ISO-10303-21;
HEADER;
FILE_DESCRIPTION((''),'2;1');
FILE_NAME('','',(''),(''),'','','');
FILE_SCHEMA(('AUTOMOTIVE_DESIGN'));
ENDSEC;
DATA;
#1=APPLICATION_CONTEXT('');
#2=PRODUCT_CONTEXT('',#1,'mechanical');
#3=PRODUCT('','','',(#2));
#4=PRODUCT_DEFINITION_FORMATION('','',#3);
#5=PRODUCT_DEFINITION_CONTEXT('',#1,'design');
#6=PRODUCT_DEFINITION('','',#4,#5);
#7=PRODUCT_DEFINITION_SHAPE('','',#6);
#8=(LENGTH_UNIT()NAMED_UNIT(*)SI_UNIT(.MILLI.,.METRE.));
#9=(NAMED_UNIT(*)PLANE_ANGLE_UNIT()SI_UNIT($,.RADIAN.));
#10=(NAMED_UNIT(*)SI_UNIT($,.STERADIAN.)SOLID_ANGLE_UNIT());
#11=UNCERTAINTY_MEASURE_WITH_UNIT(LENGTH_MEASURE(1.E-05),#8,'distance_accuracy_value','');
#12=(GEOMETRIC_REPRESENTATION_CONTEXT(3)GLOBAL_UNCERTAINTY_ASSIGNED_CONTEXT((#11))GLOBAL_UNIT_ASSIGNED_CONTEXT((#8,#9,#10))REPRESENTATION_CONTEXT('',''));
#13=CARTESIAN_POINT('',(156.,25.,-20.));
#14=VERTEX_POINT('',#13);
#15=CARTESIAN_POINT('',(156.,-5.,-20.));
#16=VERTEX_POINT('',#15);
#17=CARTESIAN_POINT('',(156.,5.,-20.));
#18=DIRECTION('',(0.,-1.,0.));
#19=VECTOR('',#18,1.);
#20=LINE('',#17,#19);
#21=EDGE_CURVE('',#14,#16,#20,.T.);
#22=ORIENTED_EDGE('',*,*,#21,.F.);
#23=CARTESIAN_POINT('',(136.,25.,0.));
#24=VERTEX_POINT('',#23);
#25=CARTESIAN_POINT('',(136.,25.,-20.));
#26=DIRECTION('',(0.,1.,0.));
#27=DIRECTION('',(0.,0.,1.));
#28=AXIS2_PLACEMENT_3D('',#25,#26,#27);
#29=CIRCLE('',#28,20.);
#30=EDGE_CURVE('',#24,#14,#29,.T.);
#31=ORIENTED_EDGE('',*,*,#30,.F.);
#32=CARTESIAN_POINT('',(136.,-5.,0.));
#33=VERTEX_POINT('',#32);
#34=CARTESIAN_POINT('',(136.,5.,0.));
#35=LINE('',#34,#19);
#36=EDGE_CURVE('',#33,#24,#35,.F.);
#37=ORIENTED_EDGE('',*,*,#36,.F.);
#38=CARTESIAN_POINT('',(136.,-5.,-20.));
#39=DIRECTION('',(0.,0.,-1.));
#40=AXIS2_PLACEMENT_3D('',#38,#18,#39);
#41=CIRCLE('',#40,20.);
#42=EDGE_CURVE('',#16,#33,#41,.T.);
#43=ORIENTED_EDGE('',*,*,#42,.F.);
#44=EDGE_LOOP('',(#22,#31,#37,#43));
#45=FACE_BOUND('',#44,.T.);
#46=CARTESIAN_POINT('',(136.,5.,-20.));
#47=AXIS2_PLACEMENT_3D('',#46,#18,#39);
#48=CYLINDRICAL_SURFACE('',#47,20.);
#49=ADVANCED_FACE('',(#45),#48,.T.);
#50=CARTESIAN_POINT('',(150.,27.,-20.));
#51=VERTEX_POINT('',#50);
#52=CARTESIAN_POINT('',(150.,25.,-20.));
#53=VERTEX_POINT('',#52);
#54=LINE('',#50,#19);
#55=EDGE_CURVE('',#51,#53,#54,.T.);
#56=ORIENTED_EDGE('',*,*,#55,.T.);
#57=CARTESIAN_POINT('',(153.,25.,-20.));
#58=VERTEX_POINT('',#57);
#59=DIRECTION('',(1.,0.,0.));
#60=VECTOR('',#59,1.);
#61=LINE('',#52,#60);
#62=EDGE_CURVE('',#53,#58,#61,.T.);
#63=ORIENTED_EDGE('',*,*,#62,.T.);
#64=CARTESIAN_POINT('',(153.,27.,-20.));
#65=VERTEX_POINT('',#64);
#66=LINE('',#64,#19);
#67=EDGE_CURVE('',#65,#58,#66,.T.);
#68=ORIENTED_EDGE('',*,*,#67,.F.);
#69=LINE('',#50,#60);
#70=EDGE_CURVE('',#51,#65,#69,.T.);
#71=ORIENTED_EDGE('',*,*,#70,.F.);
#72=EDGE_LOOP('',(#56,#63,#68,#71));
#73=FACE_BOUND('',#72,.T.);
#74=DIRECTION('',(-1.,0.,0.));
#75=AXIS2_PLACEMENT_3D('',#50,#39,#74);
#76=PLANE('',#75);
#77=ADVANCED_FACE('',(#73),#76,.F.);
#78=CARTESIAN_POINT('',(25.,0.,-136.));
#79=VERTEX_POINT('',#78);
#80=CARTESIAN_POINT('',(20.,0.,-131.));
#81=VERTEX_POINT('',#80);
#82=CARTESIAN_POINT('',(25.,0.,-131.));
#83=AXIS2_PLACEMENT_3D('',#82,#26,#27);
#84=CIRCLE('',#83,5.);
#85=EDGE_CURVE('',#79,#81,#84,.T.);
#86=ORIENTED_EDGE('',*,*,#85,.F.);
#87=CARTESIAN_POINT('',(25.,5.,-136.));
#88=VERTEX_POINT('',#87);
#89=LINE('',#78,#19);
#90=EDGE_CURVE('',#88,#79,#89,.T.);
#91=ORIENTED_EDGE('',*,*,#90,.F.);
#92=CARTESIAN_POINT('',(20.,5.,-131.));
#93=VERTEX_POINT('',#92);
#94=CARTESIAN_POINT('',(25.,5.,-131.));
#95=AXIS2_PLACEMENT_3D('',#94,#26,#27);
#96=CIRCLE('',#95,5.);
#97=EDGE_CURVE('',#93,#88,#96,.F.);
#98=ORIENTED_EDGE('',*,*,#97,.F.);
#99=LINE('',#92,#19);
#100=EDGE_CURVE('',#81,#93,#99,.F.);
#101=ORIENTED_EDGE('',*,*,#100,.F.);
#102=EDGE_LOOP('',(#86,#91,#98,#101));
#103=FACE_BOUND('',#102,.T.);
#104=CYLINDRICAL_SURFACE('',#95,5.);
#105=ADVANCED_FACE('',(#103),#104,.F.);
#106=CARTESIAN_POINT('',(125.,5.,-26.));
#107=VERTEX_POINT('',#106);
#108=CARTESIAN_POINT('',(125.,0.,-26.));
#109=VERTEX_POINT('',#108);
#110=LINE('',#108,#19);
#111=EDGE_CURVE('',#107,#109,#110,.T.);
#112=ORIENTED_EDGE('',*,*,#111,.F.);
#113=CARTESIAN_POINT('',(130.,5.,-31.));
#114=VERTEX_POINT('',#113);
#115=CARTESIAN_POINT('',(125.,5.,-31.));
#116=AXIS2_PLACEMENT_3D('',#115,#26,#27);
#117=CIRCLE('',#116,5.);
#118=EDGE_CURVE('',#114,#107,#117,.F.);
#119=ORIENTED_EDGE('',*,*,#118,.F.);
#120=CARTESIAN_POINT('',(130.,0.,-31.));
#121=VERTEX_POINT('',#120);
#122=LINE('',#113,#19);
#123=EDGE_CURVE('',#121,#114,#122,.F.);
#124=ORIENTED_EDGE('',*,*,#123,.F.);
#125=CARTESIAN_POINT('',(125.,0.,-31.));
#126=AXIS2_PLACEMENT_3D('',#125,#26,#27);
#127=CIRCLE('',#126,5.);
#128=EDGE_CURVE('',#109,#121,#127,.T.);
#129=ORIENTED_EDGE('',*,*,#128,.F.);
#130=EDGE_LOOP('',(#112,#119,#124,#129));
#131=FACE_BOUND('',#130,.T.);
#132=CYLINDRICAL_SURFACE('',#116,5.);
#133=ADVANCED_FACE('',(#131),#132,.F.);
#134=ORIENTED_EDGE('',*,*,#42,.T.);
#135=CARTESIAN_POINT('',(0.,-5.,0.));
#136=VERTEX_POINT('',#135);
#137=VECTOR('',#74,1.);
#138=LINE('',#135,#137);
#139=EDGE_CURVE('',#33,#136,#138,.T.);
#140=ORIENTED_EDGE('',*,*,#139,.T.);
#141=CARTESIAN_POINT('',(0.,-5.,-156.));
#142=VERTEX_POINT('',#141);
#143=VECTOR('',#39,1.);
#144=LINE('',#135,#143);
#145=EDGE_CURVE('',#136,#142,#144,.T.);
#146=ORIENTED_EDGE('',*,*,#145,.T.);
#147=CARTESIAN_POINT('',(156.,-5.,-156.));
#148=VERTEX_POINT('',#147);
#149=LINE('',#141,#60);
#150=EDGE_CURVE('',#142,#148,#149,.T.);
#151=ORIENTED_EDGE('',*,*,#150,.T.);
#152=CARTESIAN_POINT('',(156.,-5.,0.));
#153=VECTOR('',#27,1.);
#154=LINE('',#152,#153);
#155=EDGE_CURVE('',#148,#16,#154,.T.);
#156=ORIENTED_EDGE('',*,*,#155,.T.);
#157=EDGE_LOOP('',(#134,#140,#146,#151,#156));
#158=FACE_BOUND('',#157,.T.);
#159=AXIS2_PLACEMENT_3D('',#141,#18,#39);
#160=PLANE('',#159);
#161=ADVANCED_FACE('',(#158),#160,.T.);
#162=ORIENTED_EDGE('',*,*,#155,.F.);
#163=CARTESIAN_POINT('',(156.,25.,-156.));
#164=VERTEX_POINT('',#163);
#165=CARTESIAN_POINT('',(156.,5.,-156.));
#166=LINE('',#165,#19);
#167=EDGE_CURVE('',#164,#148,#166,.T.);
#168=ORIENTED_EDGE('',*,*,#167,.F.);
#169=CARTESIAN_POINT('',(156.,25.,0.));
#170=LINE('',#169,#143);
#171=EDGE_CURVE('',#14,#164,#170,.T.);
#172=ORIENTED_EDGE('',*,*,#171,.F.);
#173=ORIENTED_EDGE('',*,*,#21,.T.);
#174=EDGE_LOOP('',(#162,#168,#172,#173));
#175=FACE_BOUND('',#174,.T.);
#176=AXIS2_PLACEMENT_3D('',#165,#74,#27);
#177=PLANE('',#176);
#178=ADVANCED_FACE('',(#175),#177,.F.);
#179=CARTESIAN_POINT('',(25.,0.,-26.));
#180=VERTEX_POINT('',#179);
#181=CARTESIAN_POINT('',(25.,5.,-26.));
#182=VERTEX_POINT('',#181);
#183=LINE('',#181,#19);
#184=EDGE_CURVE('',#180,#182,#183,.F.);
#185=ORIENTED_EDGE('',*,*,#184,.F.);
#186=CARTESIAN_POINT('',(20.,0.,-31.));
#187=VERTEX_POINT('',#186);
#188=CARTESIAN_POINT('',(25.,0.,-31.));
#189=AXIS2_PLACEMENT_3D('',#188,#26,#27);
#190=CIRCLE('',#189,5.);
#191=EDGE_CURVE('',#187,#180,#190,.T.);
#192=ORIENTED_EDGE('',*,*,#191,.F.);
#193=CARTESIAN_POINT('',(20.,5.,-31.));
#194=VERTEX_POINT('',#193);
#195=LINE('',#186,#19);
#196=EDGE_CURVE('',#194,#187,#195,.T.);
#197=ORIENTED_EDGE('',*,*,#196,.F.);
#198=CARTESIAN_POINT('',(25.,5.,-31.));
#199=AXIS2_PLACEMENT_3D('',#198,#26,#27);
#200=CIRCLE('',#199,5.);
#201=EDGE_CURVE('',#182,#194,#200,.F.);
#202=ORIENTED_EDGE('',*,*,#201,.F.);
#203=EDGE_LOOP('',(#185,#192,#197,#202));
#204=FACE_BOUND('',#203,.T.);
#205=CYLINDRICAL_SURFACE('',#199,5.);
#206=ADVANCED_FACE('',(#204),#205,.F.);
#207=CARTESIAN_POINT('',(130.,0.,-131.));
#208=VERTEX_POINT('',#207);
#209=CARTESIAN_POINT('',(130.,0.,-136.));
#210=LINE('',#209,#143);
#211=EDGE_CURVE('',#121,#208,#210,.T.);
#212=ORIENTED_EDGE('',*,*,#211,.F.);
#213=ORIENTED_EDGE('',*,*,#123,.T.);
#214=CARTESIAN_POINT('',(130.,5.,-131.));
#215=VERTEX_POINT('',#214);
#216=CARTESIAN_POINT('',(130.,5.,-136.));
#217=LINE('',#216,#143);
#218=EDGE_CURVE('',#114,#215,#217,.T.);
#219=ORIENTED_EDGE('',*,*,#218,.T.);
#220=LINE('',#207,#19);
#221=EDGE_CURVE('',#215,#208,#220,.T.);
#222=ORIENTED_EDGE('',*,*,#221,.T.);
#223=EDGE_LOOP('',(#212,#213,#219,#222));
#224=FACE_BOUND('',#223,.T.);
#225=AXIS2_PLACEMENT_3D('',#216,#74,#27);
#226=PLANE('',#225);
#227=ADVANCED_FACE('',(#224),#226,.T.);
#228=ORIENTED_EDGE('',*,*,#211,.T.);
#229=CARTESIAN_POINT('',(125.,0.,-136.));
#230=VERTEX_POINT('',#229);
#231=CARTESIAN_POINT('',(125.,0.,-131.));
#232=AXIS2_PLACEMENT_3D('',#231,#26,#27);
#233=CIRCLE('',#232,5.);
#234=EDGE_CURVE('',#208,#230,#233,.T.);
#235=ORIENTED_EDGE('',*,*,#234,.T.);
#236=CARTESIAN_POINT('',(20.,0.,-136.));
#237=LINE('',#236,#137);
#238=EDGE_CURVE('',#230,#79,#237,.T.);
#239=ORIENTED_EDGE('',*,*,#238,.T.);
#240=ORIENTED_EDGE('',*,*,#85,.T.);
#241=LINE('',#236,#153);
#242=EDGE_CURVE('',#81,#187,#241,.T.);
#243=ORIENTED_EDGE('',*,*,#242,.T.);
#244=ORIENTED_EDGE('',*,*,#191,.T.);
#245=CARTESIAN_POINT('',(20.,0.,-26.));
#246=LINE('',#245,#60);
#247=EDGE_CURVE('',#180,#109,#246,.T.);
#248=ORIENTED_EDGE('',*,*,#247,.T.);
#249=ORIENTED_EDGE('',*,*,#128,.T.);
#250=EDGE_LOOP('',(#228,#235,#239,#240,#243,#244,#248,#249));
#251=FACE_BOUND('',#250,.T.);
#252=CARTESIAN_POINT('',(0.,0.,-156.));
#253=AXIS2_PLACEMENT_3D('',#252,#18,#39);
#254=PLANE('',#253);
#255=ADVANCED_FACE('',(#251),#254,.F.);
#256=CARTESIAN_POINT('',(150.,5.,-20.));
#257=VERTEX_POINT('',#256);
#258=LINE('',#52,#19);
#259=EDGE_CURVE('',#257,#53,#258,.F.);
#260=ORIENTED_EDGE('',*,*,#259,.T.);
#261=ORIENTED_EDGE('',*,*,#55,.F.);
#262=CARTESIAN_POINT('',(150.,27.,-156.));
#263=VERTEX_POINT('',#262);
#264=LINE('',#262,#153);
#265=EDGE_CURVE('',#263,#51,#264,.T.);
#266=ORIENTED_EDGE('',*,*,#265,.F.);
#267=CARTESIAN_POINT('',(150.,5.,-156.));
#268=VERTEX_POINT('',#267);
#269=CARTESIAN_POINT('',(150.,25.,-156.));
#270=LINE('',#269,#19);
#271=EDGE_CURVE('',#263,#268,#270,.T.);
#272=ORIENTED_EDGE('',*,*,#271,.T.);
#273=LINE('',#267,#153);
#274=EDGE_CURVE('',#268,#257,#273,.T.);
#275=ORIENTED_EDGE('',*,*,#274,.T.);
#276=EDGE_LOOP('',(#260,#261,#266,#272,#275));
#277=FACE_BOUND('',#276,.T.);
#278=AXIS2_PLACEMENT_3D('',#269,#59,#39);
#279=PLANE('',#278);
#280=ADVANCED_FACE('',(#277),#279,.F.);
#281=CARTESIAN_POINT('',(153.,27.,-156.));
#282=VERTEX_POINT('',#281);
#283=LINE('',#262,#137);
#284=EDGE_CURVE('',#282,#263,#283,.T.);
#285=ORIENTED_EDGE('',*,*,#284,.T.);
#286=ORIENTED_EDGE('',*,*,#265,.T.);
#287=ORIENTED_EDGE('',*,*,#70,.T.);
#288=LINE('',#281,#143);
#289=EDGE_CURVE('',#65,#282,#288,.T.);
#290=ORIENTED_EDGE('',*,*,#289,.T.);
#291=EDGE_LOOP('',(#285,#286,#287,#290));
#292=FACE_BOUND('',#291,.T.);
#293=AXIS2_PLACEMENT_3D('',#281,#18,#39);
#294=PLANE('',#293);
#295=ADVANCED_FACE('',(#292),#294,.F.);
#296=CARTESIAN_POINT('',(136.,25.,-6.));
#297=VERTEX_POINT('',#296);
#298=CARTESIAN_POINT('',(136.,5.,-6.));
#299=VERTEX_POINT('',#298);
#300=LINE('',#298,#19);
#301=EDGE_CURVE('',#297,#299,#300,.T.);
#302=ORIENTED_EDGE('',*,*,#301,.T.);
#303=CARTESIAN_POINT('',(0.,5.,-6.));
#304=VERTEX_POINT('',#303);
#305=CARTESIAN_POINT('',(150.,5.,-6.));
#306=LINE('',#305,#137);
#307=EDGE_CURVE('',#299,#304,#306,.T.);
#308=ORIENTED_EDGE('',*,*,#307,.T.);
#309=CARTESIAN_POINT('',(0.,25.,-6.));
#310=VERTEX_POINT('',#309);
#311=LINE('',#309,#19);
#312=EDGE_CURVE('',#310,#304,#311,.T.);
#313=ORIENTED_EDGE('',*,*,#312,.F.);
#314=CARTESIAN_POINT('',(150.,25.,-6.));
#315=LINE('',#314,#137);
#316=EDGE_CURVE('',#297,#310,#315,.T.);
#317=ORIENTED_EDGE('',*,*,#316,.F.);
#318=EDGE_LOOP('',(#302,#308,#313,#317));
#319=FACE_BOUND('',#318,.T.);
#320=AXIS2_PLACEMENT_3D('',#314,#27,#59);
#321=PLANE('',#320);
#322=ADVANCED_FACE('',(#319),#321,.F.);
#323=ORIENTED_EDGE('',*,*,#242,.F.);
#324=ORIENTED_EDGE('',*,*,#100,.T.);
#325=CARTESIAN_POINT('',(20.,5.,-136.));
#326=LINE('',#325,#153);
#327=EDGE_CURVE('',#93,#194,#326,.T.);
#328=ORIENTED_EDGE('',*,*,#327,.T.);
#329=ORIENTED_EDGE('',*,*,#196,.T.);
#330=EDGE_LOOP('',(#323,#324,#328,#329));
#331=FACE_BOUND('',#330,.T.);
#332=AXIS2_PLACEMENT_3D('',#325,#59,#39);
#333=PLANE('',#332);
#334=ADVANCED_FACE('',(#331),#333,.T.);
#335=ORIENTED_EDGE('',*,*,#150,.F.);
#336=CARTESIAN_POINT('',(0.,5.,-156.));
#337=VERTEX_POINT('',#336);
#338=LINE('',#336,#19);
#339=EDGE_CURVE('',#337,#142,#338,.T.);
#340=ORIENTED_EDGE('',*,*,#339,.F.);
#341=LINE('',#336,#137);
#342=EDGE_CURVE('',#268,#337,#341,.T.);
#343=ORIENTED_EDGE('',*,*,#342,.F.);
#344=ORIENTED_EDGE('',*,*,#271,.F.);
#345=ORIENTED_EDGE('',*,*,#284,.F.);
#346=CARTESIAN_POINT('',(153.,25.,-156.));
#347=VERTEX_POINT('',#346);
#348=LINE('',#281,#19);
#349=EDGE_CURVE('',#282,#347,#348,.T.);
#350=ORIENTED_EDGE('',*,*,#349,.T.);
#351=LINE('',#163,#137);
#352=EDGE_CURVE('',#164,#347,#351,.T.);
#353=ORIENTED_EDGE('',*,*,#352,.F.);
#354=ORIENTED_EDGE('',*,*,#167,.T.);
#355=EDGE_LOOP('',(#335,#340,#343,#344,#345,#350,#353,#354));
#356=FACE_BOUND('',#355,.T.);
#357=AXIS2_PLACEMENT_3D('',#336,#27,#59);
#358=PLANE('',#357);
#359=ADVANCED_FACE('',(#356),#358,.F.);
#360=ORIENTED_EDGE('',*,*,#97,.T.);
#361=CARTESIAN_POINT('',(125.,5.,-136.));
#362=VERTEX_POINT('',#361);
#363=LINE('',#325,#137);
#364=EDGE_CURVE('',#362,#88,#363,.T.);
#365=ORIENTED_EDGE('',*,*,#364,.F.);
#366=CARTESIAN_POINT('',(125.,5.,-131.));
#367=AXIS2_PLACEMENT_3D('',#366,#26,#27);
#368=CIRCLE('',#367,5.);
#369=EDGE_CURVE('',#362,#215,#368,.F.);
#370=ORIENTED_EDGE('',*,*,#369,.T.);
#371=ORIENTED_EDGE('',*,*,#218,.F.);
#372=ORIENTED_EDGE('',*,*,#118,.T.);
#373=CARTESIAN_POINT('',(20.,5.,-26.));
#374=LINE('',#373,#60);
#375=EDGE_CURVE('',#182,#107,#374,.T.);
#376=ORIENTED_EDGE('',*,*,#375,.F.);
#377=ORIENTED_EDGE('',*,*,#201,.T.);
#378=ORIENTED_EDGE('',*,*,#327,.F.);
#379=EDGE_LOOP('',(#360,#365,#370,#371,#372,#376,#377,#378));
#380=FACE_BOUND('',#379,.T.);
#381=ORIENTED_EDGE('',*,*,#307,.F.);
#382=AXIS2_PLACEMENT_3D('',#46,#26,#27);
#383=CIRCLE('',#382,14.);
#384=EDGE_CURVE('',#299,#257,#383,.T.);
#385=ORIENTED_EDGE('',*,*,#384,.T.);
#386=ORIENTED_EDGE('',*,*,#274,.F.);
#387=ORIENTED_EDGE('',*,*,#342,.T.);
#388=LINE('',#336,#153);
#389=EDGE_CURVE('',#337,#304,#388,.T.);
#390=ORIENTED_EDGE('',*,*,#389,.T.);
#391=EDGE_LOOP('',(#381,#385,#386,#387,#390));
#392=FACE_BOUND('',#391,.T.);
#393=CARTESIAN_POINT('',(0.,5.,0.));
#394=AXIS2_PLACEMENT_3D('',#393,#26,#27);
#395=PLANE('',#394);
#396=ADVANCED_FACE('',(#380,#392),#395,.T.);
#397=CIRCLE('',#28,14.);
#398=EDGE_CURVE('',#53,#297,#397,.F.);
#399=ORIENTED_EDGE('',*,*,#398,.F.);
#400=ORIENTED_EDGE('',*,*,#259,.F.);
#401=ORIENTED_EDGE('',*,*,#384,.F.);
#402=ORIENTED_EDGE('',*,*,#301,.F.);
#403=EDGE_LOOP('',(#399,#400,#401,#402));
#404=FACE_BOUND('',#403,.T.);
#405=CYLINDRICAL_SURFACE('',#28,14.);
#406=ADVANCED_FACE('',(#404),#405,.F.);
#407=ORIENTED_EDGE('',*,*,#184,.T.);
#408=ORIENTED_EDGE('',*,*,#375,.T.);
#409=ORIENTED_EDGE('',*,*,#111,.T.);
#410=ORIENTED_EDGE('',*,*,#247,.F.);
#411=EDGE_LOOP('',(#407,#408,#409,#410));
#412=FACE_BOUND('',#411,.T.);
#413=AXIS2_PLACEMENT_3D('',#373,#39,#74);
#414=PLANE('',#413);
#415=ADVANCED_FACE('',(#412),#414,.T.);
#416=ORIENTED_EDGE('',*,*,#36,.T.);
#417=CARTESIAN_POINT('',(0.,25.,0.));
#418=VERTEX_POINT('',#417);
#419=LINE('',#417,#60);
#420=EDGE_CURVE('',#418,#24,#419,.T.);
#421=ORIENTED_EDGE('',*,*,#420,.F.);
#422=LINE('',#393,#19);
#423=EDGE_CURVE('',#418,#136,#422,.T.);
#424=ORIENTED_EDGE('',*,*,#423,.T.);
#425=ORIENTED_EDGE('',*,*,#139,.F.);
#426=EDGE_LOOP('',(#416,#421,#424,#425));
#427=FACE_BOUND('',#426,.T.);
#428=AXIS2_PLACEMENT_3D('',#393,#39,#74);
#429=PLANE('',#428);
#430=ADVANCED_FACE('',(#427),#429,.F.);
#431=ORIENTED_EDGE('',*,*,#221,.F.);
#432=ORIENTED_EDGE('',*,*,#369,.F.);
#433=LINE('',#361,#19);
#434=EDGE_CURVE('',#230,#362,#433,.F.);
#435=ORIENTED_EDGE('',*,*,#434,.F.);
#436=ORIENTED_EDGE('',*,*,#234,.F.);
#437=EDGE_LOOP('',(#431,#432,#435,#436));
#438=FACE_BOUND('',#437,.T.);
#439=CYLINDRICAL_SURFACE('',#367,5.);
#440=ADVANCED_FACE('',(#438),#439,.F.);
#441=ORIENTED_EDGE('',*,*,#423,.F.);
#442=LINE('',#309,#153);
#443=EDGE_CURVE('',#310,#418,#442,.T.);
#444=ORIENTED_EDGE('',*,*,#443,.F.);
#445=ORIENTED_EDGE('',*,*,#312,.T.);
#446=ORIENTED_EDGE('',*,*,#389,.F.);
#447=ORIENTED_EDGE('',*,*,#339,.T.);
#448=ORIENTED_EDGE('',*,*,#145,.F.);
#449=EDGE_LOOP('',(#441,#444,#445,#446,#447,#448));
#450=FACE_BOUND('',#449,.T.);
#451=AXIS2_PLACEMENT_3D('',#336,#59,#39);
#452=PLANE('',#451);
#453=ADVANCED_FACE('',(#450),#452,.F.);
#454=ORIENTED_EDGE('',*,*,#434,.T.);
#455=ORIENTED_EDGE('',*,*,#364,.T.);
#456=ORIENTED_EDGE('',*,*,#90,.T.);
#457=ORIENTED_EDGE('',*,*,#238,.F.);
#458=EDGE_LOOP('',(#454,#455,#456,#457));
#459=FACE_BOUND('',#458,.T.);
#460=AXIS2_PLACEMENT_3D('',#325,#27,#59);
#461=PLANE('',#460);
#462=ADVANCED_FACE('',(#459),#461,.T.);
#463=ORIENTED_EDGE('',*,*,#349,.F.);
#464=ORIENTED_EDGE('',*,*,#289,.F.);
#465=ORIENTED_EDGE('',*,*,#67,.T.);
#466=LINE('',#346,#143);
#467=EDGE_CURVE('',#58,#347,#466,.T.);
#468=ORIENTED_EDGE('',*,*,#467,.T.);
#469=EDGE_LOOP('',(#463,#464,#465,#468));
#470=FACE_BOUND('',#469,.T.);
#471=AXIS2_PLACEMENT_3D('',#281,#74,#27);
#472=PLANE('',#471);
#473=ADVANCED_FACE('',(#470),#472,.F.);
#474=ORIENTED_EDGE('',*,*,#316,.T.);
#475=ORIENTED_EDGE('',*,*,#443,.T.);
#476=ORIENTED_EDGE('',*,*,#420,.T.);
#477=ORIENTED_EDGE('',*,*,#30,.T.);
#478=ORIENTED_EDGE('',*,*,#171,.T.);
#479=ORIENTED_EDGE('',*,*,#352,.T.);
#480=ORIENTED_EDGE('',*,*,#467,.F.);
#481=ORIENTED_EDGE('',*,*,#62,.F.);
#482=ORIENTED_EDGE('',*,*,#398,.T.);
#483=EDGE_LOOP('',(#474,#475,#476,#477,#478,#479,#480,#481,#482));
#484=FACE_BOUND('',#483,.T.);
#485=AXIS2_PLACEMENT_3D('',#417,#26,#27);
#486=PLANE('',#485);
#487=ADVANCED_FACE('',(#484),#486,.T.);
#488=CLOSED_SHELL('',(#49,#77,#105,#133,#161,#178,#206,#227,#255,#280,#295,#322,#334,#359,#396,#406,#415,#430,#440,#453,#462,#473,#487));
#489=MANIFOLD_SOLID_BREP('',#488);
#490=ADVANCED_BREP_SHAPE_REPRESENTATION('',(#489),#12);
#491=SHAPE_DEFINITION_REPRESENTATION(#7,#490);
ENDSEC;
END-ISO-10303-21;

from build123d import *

# Parameters (mm, degrees)
SKIZZE9_W               = 156
SKIZZE9_H               = 156
SKIZZE9_W_2             = 110
SKIZZE9_H_2             = 110
LINEAR_AUSTRAGEN4_DEPTH = 5
VERRUNDUNG5_R           = 5
SKIZZE10_W              = 156
SKIZZE10_H              = 156
LINEAR_AUSTRAGEN5_DEPTH = 5
LINEAR_AUSTRAGEN6_DEPTH = 20
VERRUNDUNG6_R           = 20
VERRUNDUNG7_R           = 14
SKIZZE12_W              = 3
SKIZZE12_H              = 136
LINEAR_AUSTRAGEN7_DEPTH = 2


with BuildPart() as part:
    # Skizze9 → Linear austragen4 (new body)
    with BuildSketch(Plane(origin=(0, 0, 0), x_dir=(1, 0, 0), z_dir=(0, 1, 0))):
        with Locations((78, 78)):
            Rectangle(SKIZZE9_W, SKIZZE9_H)
        with Locations((75, 81)):
            Rectangle(SKIZZE9_W_2, SKIZZE9_H_2, mode=Mode.SUBTRACT)
    extrude(amount=LINEAR_AUSTRAGEN4_DEPTH)

    # Verrundung5
    verrundung5_edges = [part.edges().sort_by_distance(p)[0] for p in [
        (20, 2.5, -136),
        (20, 2.5, -26),
        (130, 2.5, -26),
        (130, 2.5, -136),
    ]]
    fillet(verrundung5_edges, radius=VERRUNDUNG5_R)

    # Skizze10 → Linear austragen5 (add)
    with BuildSketch(Plane.XZ):
        with Locations((78, -78)):
            Rectangle(SKIZZE10_W, SKIZZE10_H)
    extrude(amount=LINEAR_AUSTRAGEN5_DEPTH)

    # Skizze11 → Linear austragen6 (add)
    with BuildSketch(Plane(origin=(0, 5, 0), x_dir=(1, 0, 0), z_dir=(0, 1, 0))):
        Polygon((0, 0), (156, 0), (156, 156), (150, 156), (150, 6), (0, 6), align=None)
    extrude(amount=LINEAR_AUSTRAGEN6_DEPTH)

    # Verrundung6
    verrundung6_edges = [part.edges().sort_by_distance(p)[0] for p in [
        (156, 10, 0),
    ]]
    fillet(verrundung6_edges, radius=VERRUNDUNG6_R)

    # Verrundung7
    verrundung7_edges = [part.edges().sort_by_distance(p)[0] for p in [
        (150, 15, -6),
    ]]
    fillet(verrundung7_edges, radius=VERRUNDUNG7_R)

    # Skizze12 → Linear austragen7 (add)
    with BuildSketch(Plane(origin=(0, 25, 0), x_dir=(1, 0, 0), z_dir=(0, 1, 0))):
        with Locations((151.5, 88)):
            Rectangle(SKIZZE12_W, SKIZZE12_H)
    extrude(amount=LINEAR_AUSTRAGEN7_DEPTH)


solid = part.part
